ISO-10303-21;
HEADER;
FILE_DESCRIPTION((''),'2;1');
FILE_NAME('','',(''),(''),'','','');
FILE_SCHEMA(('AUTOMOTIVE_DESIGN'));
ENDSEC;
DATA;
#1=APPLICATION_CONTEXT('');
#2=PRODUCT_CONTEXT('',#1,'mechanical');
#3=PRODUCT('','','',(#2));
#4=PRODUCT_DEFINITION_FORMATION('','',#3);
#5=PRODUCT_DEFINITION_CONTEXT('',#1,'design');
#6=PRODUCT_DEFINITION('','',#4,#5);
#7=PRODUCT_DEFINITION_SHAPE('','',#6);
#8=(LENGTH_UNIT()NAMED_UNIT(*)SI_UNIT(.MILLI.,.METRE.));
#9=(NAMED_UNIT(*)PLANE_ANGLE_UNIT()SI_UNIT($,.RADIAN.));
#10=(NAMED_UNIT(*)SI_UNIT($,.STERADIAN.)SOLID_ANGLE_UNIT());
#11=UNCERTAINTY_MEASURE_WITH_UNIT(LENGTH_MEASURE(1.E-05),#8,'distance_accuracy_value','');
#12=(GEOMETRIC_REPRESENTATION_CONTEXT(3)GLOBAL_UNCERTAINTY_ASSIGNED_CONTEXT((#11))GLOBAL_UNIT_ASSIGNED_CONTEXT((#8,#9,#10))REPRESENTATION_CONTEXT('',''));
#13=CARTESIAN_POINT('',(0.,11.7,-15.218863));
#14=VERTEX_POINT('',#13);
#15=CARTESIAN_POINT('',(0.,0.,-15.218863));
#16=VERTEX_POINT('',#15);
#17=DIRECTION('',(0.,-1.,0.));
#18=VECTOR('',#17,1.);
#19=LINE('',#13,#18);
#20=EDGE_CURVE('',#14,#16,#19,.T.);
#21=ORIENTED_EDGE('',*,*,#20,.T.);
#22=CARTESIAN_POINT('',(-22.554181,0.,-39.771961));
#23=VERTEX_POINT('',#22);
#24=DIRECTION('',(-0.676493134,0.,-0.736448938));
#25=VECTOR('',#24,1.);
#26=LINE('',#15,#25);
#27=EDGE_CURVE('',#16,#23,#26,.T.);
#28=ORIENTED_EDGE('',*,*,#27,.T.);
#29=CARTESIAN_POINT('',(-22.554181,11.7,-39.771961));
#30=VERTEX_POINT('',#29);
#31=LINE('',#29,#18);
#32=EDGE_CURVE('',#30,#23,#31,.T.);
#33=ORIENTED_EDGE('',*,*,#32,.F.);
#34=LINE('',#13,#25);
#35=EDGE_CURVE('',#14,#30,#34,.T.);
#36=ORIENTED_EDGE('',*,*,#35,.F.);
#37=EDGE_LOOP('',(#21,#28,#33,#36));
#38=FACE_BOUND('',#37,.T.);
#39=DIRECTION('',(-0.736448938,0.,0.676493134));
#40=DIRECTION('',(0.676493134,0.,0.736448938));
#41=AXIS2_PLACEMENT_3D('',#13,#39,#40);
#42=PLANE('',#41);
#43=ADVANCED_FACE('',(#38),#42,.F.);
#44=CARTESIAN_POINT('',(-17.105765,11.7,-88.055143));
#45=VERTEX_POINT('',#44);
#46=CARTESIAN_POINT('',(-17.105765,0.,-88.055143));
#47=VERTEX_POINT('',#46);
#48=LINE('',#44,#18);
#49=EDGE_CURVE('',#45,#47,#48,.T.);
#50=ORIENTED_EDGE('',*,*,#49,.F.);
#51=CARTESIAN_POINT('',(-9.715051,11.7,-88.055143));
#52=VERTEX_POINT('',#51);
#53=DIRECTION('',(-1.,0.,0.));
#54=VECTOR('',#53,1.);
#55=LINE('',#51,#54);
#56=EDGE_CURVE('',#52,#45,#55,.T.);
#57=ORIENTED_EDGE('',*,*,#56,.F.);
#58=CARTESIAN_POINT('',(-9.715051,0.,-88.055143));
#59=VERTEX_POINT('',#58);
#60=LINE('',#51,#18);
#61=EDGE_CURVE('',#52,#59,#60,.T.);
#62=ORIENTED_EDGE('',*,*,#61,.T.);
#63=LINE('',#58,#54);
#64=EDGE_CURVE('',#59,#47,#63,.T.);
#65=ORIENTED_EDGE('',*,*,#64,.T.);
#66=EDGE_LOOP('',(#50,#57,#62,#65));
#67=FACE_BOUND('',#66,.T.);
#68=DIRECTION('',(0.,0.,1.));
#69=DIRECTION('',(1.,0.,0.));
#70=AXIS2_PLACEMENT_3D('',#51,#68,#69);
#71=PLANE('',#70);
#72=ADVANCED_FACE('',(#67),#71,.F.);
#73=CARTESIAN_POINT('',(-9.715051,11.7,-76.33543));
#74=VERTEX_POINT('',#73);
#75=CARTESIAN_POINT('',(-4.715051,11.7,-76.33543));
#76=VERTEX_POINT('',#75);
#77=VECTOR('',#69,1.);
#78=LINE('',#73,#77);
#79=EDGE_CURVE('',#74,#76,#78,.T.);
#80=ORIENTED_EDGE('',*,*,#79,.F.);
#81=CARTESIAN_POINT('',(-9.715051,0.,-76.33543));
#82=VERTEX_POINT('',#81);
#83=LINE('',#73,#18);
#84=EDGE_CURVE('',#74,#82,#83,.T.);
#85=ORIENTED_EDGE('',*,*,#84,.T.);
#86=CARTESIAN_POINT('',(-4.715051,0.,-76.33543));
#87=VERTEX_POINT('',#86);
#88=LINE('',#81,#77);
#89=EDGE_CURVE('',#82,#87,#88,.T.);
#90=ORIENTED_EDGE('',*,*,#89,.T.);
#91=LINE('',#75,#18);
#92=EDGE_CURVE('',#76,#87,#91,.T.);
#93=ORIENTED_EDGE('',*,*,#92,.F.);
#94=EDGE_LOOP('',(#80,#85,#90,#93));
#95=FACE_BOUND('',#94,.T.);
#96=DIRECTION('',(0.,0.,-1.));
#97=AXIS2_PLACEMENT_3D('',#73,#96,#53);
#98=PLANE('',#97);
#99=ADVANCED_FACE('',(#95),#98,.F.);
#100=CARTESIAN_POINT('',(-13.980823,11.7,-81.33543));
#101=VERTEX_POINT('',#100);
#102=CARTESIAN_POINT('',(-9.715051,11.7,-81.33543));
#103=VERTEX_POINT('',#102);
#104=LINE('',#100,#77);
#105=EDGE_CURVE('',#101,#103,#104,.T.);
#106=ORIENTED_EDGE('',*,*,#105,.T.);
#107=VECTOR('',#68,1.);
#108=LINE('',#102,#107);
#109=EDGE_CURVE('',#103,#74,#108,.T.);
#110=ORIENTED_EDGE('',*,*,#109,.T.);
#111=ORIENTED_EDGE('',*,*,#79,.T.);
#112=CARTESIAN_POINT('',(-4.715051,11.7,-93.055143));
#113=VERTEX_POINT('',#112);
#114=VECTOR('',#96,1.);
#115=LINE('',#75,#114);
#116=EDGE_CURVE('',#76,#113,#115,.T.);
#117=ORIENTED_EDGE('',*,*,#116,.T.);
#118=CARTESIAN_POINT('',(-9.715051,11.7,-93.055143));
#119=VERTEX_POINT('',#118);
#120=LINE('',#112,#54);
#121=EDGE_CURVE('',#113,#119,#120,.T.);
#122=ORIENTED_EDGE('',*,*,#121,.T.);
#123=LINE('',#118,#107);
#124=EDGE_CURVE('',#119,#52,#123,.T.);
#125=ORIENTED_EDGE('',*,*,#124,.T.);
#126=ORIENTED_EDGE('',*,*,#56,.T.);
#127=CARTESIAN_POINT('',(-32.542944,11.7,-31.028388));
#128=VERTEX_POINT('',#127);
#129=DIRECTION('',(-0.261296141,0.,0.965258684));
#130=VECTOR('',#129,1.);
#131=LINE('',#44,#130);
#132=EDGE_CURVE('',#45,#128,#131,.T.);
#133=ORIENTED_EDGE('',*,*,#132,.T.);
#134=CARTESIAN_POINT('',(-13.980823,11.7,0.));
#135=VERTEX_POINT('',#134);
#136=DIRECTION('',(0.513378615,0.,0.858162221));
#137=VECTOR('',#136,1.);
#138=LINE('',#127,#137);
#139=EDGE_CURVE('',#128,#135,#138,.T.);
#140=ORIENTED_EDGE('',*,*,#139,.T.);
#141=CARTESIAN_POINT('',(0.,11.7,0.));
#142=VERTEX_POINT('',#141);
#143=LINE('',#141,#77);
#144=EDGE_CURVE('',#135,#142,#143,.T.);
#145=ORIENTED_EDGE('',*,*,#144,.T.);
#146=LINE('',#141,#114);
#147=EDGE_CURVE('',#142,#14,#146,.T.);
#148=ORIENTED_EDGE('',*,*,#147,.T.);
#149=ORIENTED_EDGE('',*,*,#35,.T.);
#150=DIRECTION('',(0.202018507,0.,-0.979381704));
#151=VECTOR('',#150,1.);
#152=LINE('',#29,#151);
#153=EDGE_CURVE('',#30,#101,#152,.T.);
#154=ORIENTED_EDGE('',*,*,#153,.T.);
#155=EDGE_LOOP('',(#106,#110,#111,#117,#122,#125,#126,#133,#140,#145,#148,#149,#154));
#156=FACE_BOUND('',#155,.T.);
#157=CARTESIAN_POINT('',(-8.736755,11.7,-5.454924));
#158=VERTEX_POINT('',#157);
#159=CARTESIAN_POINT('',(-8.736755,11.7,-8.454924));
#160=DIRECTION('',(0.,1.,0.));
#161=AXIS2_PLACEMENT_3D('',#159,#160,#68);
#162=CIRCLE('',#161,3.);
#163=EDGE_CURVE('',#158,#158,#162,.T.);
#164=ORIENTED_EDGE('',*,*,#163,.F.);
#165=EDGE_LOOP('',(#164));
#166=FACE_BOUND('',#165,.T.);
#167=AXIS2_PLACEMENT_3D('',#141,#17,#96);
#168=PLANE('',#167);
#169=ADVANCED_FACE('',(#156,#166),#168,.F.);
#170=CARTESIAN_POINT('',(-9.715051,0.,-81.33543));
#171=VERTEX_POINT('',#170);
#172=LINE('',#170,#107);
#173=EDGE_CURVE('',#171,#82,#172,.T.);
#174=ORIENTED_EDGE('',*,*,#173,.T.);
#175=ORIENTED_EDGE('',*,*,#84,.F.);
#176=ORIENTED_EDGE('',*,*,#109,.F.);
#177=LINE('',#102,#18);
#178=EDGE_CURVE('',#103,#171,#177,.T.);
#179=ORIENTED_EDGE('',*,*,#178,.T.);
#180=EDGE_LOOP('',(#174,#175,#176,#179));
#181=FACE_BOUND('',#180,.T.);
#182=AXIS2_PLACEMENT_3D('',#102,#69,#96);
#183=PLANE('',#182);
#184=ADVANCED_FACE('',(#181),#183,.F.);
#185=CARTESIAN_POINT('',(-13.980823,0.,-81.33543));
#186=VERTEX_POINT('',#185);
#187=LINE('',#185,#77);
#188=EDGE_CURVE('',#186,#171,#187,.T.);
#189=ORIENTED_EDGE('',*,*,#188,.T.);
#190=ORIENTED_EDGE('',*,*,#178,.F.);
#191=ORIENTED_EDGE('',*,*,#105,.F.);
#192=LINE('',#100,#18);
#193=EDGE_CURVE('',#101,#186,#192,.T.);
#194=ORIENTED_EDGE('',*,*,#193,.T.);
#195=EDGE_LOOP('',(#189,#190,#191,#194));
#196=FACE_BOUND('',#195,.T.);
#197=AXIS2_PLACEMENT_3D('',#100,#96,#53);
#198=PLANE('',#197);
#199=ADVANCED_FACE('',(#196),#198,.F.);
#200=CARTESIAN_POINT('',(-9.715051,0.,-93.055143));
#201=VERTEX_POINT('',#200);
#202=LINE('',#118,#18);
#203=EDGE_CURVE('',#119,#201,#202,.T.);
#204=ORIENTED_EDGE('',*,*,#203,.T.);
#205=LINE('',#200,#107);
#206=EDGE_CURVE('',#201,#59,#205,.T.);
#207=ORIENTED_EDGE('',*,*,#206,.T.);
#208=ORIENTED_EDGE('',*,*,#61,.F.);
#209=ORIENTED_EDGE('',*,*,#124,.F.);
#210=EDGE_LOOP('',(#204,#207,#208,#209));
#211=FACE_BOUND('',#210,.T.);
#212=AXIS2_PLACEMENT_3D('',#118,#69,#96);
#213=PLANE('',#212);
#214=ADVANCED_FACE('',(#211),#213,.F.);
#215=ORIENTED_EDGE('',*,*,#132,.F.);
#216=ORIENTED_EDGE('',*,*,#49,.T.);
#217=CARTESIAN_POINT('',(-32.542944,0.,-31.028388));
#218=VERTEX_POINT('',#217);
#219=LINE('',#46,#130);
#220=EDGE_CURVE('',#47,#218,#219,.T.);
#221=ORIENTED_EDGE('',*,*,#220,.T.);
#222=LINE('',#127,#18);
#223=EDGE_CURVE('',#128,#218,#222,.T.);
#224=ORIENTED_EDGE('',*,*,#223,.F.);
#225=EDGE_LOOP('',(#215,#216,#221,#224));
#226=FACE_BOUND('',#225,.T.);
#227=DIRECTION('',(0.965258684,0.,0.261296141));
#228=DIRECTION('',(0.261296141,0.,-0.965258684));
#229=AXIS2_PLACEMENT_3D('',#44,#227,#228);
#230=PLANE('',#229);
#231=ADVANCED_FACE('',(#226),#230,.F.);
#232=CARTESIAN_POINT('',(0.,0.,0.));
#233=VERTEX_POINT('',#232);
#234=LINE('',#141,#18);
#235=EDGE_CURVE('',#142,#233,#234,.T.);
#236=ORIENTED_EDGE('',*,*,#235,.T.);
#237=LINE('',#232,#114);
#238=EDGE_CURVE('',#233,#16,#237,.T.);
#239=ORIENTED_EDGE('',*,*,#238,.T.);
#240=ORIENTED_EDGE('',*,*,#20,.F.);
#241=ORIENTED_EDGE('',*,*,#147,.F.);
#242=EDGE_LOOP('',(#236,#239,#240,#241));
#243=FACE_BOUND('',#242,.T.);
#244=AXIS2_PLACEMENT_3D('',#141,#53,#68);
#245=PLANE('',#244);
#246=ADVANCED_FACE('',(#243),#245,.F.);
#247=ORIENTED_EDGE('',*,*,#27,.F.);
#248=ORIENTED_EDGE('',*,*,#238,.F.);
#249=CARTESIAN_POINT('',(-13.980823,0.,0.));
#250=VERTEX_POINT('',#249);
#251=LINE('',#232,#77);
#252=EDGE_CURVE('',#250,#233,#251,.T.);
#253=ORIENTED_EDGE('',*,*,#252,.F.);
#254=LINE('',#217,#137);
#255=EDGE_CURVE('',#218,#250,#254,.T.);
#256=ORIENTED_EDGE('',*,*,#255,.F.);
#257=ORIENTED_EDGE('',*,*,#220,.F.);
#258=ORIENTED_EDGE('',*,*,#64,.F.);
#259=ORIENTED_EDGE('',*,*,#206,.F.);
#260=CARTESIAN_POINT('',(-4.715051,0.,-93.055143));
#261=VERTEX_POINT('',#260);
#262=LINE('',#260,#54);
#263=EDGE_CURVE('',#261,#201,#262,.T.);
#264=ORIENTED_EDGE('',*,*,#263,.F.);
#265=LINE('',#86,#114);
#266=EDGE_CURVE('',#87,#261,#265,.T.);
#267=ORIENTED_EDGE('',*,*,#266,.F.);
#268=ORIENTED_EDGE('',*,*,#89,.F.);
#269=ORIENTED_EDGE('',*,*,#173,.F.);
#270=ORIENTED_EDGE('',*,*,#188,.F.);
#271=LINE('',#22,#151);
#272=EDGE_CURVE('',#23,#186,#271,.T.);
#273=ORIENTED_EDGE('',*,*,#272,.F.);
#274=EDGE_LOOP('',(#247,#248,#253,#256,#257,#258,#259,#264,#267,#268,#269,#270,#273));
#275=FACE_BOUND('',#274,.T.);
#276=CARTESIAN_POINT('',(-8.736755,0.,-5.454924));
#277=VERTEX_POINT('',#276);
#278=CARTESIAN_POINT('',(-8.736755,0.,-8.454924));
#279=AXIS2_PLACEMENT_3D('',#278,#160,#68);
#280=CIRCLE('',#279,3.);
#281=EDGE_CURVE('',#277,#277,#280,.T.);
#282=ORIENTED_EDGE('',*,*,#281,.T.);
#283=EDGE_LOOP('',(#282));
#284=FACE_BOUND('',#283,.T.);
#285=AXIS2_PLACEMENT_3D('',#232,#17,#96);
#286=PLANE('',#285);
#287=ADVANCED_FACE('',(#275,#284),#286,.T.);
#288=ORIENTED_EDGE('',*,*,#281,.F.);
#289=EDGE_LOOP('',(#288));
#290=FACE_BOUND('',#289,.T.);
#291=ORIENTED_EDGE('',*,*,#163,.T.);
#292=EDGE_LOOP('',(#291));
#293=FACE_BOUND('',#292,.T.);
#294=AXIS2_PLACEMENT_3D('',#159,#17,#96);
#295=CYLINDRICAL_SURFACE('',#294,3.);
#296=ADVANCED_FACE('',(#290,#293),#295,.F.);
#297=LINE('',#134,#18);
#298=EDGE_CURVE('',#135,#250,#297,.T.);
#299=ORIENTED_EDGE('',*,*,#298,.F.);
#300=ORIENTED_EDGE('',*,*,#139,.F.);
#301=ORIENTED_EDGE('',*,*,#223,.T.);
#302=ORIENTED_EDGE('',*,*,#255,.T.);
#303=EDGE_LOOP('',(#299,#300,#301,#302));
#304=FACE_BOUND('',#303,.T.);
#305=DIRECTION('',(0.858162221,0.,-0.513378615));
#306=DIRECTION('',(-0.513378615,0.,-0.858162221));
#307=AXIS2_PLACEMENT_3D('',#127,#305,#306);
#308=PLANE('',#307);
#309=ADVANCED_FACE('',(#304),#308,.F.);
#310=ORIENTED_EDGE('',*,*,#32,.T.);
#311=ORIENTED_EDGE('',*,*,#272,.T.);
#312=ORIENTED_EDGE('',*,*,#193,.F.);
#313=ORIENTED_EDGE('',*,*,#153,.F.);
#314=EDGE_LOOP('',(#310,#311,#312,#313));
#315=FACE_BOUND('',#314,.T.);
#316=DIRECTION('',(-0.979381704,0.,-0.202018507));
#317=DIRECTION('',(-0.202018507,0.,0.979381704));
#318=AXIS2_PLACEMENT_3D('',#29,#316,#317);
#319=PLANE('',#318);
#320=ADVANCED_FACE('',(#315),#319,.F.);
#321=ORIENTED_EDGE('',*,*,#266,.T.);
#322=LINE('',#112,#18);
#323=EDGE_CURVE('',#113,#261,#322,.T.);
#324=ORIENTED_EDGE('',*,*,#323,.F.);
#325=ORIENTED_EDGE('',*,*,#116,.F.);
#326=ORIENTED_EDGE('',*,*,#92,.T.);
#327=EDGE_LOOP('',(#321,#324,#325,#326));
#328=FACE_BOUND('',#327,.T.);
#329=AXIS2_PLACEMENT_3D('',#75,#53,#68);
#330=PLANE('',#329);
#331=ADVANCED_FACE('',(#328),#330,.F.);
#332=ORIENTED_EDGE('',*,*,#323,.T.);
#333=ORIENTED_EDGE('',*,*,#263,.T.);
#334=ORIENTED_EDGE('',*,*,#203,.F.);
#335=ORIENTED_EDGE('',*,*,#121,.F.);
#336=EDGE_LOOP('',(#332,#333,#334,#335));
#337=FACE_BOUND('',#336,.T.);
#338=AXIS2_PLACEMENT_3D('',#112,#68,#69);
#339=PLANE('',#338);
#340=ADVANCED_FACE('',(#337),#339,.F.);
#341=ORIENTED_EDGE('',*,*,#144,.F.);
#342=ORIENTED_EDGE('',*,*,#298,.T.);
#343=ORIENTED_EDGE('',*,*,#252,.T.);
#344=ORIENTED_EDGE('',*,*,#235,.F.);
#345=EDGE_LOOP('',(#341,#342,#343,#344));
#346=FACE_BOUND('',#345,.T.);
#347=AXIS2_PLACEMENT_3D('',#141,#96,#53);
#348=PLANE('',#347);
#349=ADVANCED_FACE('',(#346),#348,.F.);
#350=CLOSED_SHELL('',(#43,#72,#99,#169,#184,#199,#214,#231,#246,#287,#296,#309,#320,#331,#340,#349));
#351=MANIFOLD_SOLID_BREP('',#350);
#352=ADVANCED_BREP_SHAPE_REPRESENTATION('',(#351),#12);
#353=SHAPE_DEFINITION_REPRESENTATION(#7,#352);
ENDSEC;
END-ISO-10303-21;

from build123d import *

# Parameters (mm, degrees)
SKETCH1_R           = 3
BOSS_EXTRUDE2_DEPTH = 11.7


with BuildPart() as part:
    # Sketch1 → Boss-Extrude2 (new body)
    with BuildSketch(Plane(origin=(0, 0, 0), x_dir=(1, 0, 0), z_dir=(0, 1, 0))):
        Polygon((0, 0), (-13.980822987, 0), (-32.542943678, 31.028387767), (-17.105764768, 88.055142801), (-9.7150509, 88.055142801), (-9.7150509, 93.055142801), (-4.7150509, 93.055142801), (-4.7150509, 76.335429628), (-9.7150509, 76.335429628), (-9.7150509, 81.335429628), (-13.980822987, 81.335429628), (-22.554180854, 39.771961165), (0, 15.218862691), align=None)
        with Locations(Location((-8.736754508, 8.454923717, 0), (0, 0, 270))):
            Circle(SKETCH1_R, mode=Mode.SUBTRACT)
    extrude(amount=BOSS_EXTRUDE2_DEPTH)


solid = part.part
